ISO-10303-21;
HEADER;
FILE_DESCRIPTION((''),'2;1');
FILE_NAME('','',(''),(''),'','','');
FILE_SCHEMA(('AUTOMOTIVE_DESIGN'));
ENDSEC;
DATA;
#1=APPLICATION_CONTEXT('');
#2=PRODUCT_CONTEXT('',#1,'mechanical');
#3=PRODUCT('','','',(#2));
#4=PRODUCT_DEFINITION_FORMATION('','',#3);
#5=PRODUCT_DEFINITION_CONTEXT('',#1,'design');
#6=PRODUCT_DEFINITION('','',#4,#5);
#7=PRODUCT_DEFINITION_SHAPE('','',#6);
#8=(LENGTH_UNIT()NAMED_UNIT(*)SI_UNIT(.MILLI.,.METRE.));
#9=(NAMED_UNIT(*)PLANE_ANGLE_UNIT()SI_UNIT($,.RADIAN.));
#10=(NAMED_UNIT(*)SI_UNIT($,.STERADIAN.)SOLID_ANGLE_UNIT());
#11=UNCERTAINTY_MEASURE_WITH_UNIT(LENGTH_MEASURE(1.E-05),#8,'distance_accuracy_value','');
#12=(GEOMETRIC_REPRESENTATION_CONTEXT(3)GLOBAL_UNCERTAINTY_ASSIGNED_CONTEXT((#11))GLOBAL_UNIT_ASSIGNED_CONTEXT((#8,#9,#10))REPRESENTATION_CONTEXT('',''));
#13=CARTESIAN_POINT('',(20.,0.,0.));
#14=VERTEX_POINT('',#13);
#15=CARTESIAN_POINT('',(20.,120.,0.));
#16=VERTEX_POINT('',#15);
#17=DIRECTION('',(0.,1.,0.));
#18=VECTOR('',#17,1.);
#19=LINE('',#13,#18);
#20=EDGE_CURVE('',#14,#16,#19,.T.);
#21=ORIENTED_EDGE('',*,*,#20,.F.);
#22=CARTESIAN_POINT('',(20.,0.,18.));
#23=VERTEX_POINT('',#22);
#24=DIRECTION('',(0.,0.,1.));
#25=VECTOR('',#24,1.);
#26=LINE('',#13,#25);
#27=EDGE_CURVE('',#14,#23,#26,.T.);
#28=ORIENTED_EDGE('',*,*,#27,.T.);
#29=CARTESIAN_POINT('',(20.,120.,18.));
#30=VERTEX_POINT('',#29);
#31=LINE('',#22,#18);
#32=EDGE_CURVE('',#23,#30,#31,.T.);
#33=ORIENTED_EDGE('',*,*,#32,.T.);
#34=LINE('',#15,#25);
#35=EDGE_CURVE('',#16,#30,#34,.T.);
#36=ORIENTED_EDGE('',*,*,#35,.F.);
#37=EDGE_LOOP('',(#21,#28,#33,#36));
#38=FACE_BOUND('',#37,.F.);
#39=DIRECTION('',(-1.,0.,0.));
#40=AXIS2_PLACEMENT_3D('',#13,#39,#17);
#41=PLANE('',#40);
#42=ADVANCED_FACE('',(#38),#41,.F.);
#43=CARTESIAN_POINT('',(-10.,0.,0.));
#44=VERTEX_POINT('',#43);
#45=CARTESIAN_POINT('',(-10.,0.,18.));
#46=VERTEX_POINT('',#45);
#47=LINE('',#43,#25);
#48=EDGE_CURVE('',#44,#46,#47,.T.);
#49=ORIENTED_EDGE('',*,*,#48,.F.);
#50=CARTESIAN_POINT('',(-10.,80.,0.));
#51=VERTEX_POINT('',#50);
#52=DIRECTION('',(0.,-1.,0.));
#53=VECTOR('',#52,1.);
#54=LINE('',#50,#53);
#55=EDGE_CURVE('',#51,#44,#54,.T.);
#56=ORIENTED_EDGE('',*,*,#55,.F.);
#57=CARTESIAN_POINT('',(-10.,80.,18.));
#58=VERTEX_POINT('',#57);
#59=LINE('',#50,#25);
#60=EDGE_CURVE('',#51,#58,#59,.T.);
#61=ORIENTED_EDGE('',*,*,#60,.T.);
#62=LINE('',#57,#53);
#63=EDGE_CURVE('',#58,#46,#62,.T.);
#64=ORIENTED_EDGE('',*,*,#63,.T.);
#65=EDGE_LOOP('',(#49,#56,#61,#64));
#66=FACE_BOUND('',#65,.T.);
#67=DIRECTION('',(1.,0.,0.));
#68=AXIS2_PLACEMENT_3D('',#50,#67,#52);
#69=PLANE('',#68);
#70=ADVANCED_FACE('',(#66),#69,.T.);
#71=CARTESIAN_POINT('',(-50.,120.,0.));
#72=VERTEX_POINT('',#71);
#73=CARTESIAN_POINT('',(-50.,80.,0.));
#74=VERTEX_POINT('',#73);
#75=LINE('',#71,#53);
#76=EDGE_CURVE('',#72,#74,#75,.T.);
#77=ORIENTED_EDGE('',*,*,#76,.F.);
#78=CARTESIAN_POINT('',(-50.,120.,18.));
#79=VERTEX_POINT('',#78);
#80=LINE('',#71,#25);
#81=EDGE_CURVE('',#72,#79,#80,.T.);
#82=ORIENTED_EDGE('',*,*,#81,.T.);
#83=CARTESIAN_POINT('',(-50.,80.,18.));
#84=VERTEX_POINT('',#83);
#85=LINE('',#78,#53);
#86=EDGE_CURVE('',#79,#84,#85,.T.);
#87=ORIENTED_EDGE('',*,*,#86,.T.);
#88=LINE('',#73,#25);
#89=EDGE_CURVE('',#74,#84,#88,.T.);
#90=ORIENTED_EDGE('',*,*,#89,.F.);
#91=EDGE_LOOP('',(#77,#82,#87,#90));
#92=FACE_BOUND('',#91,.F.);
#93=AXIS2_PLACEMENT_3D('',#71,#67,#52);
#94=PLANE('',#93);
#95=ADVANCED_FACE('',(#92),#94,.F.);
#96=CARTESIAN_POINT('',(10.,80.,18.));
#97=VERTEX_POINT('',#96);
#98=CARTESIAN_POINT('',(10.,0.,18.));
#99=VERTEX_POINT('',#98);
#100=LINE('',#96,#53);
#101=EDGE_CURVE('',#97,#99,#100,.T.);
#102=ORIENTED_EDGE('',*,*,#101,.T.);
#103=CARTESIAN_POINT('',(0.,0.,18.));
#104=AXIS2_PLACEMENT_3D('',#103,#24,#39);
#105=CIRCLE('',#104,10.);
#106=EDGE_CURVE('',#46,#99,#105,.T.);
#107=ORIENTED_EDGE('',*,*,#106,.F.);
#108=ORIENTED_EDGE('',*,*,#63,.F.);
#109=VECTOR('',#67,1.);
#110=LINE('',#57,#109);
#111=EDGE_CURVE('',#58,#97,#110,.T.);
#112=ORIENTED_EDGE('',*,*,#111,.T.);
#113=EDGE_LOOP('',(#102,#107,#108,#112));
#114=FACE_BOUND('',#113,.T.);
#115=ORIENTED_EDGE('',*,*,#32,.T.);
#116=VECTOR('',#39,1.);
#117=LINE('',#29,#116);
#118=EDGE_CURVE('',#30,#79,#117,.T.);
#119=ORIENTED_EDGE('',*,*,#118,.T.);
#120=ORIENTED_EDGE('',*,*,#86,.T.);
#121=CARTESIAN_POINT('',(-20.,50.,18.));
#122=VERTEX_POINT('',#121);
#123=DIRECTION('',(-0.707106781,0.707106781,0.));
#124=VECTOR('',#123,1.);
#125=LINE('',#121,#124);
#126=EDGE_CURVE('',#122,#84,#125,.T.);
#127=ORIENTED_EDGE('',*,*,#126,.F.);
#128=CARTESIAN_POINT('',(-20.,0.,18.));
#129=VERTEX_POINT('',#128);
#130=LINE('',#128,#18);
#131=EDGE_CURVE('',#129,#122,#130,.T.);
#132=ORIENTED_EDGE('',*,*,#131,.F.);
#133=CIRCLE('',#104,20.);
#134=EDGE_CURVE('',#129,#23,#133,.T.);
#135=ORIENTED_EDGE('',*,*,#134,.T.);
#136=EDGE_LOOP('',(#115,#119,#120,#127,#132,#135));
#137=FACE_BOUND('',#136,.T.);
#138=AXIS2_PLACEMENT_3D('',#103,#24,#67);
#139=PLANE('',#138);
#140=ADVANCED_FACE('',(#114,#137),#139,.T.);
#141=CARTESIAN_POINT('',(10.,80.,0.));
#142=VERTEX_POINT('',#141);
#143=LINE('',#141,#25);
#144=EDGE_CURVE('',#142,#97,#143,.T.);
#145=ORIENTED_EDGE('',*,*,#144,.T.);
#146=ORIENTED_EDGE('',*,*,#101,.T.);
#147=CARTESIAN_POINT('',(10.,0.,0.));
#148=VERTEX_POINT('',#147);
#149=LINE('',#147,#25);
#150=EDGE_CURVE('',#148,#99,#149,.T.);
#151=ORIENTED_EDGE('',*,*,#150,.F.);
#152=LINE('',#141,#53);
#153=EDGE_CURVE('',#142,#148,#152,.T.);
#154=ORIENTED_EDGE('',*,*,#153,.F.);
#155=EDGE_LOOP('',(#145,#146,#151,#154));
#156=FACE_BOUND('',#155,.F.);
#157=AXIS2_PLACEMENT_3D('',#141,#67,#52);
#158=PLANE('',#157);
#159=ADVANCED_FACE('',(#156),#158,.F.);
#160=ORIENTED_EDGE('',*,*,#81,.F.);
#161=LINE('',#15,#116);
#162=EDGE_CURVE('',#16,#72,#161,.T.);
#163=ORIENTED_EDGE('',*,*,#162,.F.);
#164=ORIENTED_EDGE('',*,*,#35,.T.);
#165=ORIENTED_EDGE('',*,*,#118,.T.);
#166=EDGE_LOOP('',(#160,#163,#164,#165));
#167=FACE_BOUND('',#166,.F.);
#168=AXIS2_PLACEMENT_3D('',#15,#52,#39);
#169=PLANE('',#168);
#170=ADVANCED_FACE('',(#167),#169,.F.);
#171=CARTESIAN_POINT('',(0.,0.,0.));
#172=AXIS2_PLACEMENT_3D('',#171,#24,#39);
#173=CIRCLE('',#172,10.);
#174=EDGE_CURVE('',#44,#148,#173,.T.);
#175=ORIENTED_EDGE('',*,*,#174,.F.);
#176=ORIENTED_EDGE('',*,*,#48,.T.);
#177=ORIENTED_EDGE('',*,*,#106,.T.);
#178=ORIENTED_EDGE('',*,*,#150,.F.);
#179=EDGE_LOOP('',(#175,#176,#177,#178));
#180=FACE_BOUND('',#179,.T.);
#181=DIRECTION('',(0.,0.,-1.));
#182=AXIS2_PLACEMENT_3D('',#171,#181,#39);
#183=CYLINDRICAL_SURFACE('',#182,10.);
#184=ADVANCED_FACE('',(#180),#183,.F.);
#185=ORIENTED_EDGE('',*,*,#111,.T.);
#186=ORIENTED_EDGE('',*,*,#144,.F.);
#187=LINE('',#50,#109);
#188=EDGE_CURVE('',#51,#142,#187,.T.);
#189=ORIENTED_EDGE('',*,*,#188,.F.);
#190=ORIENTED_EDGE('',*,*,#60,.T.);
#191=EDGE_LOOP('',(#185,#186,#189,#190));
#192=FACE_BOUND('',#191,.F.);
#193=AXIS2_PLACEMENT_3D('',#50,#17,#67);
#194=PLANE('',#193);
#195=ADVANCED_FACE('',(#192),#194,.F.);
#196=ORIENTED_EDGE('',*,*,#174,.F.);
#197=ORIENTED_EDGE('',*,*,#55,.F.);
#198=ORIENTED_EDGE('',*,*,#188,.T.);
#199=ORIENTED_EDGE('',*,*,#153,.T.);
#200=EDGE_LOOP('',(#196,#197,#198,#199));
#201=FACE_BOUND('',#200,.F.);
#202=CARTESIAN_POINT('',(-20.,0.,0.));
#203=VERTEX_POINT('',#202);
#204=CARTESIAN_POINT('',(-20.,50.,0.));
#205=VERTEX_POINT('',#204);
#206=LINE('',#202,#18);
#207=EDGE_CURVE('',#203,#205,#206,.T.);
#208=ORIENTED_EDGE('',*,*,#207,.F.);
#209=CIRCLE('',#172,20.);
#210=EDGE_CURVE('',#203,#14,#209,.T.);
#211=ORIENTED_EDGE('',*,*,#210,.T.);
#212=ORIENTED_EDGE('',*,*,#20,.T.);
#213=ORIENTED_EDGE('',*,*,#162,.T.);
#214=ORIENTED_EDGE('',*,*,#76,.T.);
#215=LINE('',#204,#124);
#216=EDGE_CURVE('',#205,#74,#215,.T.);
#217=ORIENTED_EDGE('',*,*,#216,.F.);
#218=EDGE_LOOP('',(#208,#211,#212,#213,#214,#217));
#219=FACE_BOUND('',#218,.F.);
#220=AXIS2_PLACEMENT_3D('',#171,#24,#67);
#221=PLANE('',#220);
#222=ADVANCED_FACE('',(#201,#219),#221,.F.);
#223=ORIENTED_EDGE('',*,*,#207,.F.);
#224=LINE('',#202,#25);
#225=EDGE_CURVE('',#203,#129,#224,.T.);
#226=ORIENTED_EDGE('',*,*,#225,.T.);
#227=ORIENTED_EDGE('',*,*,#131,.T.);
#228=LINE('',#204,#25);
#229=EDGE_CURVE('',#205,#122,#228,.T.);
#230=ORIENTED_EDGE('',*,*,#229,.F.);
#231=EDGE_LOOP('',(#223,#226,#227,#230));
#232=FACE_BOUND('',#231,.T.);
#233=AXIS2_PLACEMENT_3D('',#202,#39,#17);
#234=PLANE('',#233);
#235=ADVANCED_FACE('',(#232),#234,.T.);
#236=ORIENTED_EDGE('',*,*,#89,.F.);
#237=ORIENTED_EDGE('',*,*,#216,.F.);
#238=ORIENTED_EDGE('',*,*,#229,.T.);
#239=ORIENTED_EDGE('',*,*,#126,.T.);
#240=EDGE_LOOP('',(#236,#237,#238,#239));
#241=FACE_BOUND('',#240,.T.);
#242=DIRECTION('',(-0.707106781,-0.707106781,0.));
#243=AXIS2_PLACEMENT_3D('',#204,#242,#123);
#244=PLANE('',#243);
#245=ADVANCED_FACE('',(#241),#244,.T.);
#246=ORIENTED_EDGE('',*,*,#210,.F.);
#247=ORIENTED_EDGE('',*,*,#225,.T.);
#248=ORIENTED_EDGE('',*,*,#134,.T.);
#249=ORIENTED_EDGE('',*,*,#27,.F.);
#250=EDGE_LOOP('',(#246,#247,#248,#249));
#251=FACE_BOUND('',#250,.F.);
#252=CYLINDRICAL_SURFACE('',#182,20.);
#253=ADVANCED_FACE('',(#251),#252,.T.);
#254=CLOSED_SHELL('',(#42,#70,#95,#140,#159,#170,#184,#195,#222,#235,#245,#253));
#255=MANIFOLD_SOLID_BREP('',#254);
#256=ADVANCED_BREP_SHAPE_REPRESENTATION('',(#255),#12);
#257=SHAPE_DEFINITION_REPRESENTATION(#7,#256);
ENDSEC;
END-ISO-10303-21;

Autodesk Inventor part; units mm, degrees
ref_plane "YZ Plane" through (0, 0, 0) normal (1, 0, 0) x (0, 1, 0)
ref_plane "XZ Plane" through (0, 0, 0) normal (0, 1, 0) x (-1, 0, 0)
ref_plane "XY Plane" through (0, 0, 0) normal (0, 0, 1) x (1, 0, 0)
sketch "Sketch1" plane through (0, 0, 0) normal (0, 0, 1) x (1, 0, 0)
  line L0 (0, 0) -> (0, 80) construction
  line L1 (0, 80) -> (10, 80) construction
  line L2 (0, 80) -> (-10, 80) construction
  line L3 (-10, 80) -> (10, 80)
  line L4 (10, 80) -> (10, 0)
  line L5 (-10, 80) -> (-10, 0)
  arc A0 (-10, 0) -> (10, 0) centre (0, 0) ccw
  line L6 (10, 0) -> (20, 0) construction
  line L7 (20, 0) -> (20, 120)
  line L8 (20, 120) -> (-50, 120)
  line L9 (-50, 120) -> (-50, 80)
  line L10 (-50, 120) -> (-20, 120) construction
  arc A1 (-20, 0) -> (20, 0) centre (0, 0) ccw
  line L11 (-20, 0) -> (-20, 50)
  line L12 (-20, 50) -> (-50, 80)
  dimension "d0" = 80
  dimension "d3" = 10
  dimension "d4" = 120
  dimension "d5" = 70
  dimension "d6" = 40
  dimension "d7" = 30
  dimension "d8" = 20
  dimension "d9" = 50
extrude "Extrusion1" add sketch "Sketch1" along normal blind 18
properties part number "guide_3DPrint"
